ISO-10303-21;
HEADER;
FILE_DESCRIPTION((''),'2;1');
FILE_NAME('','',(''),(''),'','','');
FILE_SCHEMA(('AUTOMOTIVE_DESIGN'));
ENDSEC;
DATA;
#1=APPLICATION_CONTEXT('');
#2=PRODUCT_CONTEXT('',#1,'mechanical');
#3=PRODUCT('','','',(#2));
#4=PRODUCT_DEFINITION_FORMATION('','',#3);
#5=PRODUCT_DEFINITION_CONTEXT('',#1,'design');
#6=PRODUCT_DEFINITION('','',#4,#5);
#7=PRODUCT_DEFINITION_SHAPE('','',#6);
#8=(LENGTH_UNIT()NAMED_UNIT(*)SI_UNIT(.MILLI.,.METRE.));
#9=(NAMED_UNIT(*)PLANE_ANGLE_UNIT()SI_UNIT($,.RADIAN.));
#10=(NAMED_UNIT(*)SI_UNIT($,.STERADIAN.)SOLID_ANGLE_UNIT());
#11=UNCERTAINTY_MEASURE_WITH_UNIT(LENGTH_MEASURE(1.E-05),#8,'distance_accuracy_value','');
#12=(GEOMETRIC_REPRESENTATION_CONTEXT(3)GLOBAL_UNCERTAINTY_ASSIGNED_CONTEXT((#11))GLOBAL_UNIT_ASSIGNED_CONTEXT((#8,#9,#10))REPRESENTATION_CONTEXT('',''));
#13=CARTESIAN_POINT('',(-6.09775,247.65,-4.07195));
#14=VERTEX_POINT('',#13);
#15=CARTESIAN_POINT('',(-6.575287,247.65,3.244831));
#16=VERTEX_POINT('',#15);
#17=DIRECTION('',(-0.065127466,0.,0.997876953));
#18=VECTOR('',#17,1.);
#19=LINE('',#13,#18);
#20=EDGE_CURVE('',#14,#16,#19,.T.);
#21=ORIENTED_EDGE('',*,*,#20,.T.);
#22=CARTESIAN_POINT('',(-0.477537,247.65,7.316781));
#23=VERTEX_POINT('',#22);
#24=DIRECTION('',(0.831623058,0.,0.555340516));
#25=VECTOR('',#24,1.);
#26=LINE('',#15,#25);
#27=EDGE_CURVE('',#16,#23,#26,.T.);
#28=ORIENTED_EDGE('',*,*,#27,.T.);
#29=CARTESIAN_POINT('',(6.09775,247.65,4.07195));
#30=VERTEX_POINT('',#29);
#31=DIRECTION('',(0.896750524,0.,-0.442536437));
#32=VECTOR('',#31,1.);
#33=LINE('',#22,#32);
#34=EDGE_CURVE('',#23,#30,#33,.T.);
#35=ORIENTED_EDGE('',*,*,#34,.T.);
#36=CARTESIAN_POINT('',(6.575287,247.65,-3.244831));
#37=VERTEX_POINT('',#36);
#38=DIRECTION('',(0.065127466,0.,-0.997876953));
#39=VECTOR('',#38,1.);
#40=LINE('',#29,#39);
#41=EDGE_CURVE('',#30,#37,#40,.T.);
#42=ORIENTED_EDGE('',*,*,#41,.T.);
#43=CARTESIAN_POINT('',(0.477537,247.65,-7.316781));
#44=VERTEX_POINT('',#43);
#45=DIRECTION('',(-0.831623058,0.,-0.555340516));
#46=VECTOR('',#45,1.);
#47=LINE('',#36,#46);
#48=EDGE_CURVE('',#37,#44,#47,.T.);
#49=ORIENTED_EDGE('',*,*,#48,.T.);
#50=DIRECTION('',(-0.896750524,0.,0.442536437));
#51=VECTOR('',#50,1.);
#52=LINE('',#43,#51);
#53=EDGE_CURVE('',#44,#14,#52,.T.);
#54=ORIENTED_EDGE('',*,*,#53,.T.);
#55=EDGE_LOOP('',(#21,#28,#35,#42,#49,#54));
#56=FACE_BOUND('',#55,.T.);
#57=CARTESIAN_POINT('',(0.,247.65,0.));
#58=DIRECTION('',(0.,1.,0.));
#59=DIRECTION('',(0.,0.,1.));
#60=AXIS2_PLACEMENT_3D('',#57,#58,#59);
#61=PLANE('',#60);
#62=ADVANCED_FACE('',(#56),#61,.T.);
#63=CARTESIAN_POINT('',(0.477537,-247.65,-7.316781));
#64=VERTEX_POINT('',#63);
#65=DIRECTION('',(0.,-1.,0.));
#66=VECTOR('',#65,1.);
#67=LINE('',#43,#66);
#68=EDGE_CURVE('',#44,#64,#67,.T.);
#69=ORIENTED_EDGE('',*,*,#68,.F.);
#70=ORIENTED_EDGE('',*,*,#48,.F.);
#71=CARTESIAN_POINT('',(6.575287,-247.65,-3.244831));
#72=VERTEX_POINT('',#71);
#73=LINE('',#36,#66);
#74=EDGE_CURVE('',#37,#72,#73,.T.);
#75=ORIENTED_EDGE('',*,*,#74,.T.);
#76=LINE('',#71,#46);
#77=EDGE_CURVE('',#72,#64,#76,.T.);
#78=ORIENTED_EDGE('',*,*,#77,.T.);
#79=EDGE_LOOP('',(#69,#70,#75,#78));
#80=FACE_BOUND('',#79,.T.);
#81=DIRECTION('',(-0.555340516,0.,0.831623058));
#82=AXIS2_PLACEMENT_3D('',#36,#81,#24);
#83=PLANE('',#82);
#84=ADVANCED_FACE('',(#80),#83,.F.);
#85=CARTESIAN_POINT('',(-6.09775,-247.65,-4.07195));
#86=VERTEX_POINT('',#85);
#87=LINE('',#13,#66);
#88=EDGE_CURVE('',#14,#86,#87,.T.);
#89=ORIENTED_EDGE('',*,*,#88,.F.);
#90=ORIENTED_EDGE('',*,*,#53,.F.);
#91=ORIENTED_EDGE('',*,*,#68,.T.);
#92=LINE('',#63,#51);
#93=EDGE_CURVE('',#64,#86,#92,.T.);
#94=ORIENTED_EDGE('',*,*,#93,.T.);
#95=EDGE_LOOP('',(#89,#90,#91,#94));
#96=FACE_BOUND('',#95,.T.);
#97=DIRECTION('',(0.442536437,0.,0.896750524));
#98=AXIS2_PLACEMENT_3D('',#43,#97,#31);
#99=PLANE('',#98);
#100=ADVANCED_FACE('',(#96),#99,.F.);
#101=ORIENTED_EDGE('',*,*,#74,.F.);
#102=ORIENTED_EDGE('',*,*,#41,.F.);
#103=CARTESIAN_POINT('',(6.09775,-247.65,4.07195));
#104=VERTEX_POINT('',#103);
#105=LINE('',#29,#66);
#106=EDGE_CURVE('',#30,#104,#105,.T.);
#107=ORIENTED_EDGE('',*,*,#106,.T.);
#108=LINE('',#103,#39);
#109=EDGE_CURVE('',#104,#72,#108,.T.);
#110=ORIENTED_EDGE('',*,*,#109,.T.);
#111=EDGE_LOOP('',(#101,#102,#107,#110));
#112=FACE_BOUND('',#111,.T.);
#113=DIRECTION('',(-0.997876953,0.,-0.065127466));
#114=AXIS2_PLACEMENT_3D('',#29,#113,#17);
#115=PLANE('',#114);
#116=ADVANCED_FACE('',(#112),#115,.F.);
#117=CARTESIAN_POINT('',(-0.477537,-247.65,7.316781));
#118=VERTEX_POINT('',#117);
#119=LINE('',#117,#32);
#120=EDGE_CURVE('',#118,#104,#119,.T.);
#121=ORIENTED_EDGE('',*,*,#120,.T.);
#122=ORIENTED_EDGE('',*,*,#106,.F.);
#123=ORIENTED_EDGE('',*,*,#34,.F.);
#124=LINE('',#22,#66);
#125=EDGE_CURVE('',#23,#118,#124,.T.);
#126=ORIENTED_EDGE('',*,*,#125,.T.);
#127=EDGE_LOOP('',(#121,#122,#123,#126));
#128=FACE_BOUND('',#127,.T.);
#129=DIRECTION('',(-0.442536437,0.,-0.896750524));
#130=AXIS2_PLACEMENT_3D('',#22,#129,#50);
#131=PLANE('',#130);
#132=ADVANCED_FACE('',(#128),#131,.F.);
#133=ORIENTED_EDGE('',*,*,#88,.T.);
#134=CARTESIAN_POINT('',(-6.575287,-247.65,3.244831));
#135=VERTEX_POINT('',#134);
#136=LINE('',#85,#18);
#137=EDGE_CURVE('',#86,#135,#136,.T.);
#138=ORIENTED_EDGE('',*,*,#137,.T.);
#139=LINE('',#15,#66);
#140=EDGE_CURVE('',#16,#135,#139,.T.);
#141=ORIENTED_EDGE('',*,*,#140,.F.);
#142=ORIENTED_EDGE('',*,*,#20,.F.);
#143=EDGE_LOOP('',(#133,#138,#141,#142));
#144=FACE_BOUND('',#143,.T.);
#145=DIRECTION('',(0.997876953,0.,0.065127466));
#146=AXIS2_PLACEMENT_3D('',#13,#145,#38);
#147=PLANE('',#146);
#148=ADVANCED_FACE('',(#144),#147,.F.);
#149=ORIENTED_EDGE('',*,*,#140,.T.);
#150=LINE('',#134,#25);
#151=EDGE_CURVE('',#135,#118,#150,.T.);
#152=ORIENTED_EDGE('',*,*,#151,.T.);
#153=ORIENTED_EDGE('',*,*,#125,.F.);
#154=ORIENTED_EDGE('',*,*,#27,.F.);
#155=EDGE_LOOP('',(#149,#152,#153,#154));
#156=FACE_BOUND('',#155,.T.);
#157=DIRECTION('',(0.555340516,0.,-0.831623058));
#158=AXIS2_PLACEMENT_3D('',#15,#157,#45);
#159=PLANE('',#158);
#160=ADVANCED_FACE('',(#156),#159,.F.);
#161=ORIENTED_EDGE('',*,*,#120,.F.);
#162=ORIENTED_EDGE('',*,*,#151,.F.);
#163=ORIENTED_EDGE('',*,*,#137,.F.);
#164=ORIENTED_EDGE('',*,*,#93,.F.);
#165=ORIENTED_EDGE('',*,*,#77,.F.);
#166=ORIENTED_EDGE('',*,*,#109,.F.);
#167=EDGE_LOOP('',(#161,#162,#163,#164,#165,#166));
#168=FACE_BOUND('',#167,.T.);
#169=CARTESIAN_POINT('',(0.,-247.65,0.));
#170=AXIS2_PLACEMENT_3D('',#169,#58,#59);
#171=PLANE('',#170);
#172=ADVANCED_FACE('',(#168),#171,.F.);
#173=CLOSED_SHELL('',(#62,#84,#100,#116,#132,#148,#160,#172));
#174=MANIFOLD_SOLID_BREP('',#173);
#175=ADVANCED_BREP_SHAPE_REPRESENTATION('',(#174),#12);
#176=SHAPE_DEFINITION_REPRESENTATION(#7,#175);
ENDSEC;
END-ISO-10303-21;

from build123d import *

# Parameters (mm, degrees)
BOSS_EXTRUDE1_DEPTH = 247.65


with BuildPart() as part:
    # Sketch1 → Boss-Extrude1 (new, symmetric)
    with BuildSketch(Plane(origin=(0, 0, 0), x_dir=(1, 0, 0), z_dir=(0, 1, 0))):
        Polygon((6.097750015, -4.071950157), (6.575287287, 3.244831341), (0.477537271, 7.316781498), (-6.097750015, 4.071950157), (-6.575287287, -3.244831341), (-0.477537271, -7.316781498), align=None)
    extrude(amount=BOSS_EXTRUDE1_DEPTH, both=True)


solid = part.part
